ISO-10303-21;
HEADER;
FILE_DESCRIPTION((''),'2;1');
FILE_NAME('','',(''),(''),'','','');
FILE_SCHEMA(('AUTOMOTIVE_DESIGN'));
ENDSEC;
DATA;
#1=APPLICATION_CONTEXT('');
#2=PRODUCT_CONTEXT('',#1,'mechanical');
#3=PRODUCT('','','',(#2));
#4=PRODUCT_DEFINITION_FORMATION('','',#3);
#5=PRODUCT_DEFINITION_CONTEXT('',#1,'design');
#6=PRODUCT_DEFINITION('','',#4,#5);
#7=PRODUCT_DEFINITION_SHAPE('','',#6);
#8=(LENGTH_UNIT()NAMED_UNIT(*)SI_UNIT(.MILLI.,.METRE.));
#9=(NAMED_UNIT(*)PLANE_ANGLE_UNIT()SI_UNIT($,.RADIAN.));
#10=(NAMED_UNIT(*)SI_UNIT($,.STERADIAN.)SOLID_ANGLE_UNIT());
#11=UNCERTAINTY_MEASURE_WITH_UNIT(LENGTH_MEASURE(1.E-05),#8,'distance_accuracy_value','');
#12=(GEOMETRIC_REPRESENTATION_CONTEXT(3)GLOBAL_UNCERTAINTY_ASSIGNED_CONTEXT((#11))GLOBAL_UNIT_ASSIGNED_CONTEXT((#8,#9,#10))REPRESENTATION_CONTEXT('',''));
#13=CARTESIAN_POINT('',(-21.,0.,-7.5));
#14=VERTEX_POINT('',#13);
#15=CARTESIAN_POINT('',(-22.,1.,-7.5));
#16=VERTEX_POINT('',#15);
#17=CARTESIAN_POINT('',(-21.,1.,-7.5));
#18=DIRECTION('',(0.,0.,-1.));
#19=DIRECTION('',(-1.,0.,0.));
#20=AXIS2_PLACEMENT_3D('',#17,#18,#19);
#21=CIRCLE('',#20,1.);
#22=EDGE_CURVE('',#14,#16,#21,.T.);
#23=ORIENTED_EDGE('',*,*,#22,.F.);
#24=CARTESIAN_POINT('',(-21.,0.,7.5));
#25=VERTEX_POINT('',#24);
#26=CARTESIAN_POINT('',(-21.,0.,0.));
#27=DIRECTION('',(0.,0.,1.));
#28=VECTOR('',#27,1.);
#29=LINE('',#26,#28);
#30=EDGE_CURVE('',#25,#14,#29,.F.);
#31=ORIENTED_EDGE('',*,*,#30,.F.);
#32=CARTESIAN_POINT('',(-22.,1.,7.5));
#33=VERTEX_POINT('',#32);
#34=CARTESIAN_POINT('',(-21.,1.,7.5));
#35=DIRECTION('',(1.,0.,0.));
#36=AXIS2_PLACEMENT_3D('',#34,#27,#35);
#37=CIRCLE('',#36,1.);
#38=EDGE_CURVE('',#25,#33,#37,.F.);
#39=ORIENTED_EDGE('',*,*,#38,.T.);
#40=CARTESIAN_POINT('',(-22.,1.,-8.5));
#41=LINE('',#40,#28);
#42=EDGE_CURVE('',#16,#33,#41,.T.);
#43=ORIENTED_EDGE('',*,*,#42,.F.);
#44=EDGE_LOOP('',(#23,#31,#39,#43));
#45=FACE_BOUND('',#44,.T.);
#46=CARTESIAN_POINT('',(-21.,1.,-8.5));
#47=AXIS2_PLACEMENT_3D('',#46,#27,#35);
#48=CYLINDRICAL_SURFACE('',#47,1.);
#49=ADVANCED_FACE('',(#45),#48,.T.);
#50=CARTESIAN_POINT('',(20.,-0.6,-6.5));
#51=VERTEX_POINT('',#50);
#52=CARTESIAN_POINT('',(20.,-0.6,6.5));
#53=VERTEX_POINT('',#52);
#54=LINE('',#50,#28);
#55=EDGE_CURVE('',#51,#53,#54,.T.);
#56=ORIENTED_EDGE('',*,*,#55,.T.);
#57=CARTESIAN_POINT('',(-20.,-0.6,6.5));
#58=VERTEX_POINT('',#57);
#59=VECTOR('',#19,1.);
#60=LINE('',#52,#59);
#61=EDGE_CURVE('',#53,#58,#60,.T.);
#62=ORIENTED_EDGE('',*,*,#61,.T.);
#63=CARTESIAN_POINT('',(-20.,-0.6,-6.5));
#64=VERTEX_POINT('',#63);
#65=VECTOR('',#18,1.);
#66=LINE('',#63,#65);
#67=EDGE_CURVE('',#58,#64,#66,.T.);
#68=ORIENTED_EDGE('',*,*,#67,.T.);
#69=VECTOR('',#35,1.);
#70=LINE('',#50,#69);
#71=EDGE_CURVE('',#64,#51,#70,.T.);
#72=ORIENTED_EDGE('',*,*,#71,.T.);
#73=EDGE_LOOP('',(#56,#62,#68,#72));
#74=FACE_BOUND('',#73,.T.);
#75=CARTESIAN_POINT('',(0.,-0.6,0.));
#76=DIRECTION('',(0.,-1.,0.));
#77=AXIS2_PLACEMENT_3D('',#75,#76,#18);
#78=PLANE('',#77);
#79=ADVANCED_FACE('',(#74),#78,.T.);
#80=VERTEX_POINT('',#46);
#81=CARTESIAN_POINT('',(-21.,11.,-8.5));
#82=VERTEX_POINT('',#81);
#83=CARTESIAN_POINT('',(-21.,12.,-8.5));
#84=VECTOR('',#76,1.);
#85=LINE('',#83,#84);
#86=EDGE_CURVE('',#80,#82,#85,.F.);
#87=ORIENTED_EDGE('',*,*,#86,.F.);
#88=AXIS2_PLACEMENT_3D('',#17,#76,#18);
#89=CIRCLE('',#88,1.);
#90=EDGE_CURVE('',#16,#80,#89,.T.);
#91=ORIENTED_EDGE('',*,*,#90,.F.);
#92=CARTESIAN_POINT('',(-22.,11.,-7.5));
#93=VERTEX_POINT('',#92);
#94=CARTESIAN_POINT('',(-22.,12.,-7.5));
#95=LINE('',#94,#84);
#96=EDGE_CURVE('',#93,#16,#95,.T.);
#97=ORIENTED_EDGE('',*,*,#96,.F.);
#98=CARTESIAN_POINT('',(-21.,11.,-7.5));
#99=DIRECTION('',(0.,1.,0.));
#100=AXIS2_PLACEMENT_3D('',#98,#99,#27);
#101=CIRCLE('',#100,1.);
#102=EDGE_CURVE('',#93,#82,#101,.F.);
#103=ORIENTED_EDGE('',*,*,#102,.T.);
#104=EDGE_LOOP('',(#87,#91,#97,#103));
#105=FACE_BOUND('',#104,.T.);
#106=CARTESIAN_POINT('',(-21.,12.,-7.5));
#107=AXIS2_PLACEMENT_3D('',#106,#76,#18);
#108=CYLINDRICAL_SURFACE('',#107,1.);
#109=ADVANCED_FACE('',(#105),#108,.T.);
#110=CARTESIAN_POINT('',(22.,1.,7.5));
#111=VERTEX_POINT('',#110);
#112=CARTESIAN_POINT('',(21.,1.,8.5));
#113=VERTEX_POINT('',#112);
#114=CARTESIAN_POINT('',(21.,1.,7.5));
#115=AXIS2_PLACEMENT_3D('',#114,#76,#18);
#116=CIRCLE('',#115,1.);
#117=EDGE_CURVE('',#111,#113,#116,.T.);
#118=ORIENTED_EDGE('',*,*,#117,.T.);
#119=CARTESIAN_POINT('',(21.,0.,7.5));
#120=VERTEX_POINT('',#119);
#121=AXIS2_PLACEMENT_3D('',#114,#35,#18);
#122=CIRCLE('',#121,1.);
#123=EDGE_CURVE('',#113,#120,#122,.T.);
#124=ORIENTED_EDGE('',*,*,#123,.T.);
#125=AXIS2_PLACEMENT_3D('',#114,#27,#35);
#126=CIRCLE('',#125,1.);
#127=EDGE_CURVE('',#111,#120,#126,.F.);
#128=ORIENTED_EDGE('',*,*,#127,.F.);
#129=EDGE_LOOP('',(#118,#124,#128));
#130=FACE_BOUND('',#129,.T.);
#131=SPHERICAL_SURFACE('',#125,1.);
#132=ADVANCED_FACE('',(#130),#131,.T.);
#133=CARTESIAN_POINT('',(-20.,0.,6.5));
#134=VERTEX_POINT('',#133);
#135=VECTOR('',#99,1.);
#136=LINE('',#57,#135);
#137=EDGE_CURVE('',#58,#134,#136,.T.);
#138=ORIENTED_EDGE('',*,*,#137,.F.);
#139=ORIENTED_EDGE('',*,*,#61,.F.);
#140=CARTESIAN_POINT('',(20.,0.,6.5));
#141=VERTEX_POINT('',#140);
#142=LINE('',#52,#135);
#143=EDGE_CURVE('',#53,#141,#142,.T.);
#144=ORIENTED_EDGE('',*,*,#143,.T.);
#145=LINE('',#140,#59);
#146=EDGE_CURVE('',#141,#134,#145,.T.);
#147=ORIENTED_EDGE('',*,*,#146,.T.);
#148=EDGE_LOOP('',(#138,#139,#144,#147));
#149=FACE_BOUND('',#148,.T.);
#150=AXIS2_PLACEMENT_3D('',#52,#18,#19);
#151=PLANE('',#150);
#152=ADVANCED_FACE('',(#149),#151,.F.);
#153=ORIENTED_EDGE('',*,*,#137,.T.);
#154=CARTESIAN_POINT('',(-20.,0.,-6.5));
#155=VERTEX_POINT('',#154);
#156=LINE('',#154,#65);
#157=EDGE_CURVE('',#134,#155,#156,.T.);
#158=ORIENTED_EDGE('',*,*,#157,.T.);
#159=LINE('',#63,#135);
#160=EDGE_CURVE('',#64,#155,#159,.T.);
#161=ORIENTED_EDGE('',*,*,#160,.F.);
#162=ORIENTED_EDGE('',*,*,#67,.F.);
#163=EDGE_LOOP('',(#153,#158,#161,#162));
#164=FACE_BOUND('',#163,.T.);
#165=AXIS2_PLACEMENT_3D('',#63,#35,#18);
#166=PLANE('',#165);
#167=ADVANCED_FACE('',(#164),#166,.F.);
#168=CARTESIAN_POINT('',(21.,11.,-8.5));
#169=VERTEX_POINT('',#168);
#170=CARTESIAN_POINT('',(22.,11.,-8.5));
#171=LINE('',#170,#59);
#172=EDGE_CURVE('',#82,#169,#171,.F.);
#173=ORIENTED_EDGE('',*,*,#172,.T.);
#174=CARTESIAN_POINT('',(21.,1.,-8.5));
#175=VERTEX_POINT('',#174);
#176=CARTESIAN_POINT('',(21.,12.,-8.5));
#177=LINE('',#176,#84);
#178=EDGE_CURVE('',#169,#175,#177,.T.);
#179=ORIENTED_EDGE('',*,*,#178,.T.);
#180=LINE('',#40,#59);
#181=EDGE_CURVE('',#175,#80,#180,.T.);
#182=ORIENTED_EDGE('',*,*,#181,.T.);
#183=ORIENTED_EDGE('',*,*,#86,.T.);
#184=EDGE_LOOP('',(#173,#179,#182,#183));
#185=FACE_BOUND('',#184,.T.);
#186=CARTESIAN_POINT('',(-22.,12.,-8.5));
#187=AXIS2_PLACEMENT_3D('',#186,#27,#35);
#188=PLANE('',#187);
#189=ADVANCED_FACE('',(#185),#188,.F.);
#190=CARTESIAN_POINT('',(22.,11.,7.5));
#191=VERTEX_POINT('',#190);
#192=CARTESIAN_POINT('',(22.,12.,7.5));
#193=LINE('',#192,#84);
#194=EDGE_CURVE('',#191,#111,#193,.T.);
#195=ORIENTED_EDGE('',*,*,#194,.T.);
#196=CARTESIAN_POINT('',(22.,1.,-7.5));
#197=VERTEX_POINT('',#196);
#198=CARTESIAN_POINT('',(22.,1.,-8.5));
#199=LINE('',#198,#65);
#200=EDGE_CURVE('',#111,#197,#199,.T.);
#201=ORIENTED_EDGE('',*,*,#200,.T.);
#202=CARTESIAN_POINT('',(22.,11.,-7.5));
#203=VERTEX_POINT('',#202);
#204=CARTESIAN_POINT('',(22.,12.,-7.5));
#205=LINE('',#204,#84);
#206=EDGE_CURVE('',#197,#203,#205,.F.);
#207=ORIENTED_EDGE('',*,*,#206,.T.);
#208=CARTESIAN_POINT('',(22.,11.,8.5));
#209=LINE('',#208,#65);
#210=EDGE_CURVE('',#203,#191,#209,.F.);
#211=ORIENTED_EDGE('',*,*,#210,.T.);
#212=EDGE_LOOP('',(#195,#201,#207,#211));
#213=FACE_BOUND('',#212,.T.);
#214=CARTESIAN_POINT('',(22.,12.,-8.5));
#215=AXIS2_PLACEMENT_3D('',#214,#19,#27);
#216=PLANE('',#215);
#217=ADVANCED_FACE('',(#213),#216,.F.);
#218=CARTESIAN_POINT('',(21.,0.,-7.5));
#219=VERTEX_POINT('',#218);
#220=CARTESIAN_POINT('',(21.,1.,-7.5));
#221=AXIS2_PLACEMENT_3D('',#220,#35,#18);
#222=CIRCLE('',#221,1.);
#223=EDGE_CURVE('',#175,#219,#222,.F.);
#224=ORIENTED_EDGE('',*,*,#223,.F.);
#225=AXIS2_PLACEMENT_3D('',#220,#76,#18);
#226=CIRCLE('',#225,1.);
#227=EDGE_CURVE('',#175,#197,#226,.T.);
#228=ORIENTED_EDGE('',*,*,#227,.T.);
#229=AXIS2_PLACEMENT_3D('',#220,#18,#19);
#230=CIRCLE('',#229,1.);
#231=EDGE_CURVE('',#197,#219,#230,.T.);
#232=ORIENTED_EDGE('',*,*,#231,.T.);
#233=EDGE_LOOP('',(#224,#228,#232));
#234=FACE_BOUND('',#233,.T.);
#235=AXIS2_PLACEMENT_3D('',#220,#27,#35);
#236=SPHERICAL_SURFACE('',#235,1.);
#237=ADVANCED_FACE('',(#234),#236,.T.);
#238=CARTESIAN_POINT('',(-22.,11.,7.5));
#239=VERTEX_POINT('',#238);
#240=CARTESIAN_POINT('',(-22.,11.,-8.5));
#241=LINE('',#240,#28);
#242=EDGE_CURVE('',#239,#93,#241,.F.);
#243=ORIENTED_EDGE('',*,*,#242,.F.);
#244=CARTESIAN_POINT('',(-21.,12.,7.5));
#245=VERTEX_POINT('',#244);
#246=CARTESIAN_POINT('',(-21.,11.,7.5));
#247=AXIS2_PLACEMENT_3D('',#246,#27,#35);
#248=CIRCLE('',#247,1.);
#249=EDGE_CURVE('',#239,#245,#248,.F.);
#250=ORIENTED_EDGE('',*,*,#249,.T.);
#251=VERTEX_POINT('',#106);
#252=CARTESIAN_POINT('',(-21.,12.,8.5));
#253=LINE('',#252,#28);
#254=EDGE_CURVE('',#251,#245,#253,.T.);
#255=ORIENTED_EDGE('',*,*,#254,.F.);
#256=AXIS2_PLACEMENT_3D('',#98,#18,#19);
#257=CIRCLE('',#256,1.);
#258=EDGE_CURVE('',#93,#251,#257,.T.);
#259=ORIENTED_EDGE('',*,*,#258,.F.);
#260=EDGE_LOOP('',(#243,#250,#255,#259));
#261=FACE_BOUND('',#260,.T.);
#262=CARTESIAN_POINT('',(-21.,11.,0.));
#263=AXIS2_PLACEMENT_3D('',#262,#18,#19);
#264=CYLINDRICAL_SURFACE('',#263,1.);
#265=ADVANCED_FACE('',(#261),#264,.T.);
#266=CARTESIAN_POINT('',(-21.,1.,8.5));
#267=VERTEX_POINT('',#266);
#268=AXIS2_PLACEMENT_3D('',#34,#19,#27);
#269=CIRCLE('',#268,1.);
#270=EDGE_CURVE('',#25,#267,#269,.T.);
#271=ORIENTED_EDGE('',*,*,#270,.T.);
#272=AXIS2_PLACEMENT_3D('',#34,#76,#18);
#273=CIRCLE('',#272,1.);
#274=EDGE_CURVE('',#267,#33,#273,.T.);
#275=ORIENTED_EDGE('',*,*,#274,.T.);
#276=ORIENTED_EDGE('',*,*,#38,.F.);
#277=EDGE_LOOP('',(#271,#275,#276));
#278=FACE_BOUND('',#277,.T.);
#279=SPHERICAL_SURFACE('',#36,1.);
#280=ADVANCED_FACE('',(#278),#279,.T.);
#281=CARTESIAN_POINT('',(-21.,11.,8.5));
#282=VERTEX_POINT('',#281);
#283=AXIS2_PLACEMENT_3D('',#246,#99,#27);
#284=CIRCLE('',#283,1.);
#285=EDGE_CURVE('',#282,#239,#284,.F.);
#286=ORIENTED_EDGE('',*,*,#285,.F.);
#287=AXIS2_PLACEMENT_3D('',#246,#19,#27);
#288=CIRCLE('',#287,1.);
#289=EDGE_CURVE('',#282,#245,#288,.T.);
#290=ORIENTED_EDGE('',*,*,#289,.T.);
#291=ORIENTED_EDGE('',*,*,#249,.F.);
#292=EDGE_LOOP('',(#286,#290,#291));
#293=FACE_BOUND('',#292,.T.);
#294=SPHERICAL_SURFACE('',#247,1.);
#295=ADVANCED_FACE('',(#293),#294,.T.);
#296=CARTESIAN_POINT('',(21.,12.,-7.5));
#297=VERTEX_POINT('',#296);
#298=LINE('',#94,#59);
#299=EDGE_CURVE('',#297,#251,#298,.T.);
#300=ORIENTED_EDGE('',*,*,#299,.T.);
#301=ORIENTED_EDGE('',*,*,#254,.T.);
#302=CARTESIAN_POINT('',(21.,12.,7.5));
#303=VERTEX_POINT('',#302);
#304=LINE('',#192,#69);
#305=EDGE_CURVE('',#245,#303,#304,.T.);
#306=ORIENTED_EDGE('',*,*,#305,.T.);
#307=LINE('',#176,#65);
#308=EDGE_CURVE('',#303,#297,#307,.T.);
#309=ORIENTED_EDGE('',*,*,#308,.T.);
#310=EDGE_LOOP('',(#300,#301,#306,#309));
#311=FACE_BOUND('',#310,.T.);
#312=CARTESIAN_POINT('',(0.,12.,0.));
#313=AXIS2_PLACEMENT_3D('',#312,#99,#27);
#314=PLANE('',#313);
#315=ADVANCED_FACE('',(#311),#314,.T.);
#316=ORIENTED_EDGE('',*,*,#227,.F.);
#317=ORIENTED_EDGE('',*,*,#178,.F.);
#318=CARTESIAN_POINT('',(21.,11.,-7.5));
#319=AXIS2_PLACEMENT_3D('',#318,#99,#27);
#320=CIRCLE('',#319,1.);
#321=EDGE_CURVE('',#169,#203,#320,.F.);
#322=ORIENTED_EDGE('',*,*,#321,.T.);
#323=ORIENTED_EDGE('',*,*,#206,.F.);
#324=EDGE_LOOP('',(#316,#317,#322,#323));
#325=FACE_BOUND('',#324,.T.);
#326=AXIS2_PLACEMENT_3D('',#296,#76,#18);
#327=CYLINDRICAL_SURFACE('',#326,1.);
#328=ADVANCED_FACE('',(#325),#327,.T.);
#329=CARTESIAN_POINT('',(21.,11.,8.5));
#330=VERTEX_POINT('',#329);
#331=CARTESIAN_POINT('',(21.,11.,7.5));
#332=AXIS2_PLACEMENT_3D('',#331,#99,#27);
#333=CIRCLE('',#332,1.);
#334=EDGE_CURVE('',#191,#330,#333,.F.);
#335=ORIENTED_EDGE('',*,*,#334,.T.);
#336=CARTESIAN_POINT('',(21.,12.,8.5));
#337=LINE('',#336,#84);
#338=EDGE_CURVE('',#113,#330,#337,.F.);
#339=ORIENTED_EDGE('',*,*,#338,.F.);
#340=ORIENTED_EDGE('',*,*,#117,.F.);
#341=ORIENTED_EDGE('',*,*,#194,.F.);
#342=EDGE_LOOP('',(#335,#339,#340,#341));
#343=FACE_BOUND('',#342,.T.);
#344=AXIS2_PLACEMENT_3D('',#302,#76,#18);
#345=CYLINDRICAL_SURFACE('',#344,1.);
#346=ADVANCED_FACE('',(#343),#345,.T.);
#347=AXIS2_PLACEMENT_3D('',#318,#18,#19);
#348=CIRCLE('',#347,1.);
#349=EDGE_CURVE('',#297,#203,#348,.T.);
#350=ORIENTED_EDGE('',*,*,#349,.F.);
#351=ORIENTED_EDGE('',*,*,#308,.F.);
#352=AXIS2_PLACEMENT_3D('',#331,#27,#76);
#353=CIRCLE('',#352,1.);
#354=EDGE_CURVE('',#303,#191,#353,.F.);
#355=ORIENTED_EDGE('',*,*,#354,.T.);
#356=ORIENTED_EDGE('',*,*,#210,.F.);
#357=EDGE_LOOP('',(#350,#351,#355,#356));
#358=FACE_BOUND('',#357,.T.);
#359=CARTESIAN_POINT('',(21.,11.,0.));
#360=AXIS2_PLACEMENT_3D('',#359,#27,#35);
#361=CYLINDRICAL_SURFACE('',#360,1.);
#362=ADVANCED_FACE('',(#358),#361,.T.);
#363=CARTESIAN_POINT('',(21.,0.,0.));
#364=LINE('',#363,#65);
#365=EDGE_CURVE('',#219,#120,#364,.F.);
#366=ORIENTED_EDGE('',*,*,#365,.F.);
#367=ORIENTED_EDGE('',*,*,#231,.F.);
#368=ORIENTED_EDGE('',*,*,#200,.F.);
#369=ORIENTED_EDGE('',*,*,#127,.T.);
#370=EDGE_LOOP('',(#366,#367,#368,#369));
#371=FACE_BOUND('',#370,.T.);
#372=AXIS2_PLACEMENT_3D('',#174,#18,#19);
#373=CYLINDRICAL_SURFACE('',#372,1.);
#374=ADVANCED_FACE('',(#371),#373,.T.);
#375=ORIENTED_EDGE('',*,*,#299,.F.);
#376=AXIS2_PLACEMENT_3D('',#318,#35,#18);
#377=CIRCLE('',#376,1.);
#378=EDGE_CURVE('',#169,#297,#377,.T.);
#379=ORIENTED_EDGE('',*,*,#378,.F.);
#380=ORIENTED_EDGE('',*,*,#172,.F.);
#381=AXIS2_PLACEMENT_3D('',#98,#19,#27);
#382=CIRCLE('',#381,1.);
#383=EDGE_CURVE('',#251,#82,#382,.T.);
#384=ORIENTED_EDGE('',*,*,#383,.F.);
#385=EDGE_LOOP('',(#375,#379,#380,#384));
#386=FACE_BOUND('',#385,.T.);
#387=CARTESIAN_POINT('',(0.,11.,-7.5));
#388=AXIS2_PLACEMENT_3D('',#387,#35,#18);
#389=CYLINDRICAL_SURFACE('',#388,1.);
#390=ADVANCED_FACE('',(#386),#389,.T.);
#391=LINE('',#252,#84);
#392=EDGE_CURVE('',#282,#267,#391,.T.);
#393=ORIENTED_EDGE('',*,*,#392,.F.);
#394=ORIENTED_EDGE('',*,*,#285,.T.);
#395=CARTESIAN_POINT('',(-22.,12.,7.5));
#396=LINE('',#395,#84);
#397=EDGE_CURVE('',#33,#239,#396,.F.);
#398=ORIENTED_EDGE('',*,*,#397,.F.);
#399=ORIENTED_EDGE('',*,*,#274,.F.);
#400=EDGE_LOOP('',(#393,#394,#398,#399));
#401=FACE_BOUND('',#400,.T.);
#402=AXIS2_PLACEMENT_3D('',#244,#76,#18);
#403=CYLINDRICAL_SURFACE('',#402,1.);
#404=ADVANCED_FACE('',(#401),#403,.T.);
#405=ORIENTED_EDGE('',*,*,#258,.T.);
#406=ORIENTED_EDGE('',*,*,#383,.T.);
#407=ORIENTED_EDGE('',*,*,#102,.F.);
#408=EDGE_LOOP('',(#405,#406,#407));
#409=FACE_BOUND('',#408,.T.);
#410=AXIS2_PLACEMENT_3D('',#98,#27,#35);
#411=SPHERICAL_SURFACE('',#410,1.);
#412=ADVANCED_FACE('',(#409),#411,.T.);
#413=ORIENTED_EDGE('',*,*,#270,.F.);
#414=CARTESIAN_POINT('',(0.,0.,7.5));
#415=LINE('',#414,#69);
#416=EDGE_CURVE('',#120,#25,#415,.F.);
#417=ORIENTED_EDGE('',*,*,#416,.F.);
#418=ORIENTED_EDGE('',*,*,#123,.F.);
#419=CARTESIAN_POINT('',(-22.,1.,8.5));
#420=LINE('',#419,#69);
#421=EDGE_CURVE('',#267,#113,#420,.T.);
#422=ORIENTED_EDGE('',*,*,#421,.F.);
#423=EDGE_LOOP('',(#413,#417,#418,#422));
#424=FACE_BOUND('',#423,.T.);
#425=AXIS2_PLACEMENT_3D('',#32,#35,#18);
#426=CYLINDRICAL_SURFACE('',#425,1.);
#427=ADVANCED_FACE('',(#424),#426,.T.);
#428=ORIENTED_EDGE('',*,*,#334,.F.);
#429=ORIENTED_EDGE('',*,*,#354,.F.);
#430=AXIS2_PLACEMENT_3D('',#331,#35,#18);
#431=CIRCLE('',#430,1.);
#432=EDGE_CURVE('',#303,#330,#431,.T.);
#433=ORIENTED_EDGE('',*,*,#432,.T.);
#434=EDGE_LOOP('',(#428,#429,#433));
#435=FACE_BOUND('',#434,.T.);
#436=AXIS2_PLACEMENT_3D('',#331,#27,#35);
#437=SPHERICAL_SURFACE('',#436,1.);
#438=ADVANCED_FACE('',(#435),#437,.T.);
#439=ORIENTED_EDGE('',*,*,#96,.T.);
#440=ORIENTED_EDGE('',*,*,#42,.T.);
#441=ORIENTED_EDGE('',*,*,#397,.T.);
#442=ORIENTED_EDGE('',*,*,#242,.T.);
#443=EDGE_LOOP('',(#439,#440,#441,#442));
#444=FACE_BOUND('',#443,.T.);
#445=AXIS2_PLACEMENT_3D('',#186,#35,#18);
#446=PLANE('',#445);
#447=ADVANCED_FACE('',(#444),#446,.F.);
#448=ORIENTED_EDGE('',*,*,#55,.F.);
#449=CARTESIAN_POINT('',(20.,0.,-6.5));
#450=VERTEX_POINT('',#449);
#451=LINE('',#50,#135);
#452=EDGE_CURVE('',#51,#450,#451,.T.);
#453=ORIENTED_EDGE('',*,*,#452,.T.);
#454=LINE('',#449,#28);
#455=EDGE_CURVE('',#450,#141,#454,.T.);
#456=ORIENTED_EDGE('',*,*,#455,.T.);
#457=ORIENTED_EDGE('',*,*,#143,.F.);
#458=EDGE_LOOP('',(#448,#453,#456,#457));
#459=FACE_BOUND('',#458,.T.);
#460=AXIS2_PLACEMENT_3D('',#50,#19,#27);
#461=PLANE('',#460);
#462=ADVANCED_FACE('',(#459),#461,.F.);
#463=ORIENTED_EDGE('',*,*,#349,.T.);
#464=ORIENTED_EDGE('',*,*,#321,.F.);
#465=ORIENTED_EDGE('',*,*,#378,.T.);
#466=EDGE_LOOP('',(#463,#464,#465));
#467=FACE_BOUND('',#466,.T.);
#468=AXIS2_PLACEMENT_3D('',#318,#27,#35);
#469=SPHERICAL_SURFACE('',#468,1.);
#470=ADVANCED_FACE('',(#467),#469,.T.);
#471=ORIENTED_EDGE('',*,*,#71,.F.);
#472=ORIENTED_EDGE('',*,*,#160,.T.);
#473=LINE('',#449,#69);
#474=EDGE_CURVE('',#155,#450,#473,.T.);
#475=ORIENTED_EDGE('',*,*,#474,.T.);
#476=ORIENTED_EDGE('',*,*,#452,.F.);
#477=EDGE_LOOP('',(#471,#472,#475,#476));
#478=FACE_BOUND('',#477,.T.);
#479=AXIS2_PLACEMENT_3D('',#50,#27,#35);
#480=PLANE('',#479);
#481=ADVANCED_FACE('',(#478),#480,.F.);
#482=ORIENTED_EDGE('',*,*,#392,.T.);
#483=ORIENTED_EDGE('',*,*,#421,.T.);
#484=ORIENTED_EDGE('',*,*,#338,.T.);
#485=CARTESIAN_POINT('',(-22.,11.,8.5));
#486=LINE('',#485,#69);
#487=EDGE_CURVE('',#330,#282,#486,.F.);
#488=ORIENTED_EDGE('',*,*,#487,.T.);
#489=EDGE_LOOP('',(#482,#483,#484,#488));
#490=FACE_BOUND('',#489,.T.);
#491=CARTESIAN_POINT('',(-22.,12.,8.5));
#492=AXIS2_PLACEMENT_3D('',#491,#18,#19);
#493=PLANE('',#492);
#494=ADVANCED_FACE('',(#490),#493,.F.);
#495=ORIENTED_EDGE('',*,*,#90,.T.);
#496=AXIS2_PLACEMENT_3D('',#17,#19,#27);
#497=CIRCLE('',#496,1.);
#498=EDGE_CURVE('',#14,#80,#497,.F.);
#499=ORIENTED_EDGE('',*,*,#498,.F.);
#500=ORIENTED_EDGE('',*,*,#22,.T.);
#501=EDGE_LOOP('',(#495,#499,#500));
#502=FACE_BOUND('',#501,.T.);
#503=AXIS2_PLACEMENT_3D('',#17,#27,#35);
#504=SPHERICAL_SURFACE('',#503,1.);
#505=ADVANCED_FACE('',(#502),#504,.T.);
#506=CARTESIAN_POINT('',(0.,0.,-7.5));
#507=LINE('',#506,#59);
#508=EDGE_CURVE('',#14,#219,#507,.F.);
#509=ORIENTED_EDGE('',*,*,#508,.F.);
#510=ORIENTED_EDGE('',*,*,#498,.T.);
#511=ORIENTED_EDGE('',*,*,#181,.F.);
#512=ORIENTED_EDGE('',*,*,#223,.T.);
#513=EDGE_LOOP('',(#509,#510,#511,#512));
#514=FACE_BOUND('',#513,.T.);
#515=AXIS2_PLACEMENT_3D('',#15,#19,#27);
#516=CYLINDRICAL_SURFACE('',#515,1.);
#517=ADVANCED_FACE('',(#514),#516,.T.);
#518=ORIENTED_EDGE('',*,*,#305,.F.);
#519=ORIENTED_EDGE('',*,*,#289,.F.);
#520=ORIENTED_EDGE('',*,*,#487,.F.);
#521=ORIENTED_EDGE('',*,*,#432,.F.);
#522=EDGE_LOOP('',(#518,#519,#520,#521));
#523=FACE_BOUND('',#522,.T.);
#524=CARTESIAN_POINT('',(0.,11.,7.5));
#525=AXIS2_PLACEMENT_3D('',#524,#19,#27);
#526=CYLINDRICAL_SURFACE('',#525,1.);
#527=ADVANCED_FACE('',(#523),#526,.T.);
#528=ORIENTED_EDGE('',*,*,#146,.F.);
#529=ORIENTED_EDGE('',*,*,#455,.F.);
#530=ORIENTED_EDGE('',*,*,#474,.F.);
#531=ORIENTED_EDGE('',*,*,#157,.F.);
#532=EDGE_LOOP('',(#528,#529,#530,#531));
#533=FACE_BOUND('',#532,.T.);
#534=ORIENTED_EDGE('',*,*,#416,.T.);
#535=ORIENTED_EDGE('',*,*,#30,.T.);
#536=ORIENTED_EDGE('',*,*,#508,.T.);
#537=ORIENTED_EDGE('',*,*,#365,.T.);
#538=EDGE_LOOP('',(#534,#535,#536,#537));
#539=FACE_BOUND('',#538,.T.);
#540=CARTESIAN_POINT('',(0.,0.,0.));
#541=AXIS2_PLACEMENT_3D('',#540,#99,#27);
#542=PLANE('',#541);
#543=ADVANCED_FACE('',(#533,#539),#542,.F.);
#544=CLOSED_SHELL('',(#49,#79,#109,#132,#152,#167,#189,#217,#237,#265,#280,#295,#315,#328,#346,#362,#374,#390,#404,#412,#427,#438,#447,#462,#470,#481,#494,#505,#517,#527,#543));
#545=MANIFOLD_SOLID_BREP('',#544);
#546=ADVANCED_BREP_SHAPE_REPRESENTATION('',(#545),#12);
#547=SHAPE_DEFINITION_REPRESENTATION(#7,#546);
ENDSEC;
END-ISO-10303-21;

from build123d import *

# Parameters (mm, degrees)
SKETCH1_W           = 44
SKETCH1_H           = 17
BOSS_EXTRUDE1_DEPTH = 12
FILLET1_R           = 1
SKETCH2_W           = 40
SKETCH2_H           = 13
BOSS_EXTRUDE2_DEPTH = 0.6


with BuildPart() as part:
    # Sketch1 → Boss-Extrude1 (new body)
    with BuildSketch(Plane(origin=(0, 0, 0), x_dir=(1, 0, 0), z_dir=(0, 1, 0))):
        Rectangle(SKETCH1_W, SKETCH1_H)
    extrude(amount=BOSS_EXTRUDE1_DEPTH)

    # Fillet1
    fillet1_edges = [part.edges().sort_by_distance(p)[0] for p in [
        (-22, 12, 0),
        (0, 12, 8.5),
        (22, 12, 0),
        (0, 0, 8.5),
        (-22, 0, 0),
        (0, 0, -8.5),
        (22, 0, 0),
        (22, 6, 8.5),
        (-22, 6, 8.5),
        (-22, 6, -8.5),
        (22, 6, -8.5),
        (0, 12, -8.5),
    ]]
    fillet(fillet1_edges, radius=FILLET1_R)

    # Sketch2 → Boss-Extrude2 (add)
    with BuildSketch(Plane.XZ):
        Rectangle(SKETCH2_W, SKETCH2_H)
    extrude(amount=BOSS_EXTRUDE2_DEPTH)


solid = part.part
